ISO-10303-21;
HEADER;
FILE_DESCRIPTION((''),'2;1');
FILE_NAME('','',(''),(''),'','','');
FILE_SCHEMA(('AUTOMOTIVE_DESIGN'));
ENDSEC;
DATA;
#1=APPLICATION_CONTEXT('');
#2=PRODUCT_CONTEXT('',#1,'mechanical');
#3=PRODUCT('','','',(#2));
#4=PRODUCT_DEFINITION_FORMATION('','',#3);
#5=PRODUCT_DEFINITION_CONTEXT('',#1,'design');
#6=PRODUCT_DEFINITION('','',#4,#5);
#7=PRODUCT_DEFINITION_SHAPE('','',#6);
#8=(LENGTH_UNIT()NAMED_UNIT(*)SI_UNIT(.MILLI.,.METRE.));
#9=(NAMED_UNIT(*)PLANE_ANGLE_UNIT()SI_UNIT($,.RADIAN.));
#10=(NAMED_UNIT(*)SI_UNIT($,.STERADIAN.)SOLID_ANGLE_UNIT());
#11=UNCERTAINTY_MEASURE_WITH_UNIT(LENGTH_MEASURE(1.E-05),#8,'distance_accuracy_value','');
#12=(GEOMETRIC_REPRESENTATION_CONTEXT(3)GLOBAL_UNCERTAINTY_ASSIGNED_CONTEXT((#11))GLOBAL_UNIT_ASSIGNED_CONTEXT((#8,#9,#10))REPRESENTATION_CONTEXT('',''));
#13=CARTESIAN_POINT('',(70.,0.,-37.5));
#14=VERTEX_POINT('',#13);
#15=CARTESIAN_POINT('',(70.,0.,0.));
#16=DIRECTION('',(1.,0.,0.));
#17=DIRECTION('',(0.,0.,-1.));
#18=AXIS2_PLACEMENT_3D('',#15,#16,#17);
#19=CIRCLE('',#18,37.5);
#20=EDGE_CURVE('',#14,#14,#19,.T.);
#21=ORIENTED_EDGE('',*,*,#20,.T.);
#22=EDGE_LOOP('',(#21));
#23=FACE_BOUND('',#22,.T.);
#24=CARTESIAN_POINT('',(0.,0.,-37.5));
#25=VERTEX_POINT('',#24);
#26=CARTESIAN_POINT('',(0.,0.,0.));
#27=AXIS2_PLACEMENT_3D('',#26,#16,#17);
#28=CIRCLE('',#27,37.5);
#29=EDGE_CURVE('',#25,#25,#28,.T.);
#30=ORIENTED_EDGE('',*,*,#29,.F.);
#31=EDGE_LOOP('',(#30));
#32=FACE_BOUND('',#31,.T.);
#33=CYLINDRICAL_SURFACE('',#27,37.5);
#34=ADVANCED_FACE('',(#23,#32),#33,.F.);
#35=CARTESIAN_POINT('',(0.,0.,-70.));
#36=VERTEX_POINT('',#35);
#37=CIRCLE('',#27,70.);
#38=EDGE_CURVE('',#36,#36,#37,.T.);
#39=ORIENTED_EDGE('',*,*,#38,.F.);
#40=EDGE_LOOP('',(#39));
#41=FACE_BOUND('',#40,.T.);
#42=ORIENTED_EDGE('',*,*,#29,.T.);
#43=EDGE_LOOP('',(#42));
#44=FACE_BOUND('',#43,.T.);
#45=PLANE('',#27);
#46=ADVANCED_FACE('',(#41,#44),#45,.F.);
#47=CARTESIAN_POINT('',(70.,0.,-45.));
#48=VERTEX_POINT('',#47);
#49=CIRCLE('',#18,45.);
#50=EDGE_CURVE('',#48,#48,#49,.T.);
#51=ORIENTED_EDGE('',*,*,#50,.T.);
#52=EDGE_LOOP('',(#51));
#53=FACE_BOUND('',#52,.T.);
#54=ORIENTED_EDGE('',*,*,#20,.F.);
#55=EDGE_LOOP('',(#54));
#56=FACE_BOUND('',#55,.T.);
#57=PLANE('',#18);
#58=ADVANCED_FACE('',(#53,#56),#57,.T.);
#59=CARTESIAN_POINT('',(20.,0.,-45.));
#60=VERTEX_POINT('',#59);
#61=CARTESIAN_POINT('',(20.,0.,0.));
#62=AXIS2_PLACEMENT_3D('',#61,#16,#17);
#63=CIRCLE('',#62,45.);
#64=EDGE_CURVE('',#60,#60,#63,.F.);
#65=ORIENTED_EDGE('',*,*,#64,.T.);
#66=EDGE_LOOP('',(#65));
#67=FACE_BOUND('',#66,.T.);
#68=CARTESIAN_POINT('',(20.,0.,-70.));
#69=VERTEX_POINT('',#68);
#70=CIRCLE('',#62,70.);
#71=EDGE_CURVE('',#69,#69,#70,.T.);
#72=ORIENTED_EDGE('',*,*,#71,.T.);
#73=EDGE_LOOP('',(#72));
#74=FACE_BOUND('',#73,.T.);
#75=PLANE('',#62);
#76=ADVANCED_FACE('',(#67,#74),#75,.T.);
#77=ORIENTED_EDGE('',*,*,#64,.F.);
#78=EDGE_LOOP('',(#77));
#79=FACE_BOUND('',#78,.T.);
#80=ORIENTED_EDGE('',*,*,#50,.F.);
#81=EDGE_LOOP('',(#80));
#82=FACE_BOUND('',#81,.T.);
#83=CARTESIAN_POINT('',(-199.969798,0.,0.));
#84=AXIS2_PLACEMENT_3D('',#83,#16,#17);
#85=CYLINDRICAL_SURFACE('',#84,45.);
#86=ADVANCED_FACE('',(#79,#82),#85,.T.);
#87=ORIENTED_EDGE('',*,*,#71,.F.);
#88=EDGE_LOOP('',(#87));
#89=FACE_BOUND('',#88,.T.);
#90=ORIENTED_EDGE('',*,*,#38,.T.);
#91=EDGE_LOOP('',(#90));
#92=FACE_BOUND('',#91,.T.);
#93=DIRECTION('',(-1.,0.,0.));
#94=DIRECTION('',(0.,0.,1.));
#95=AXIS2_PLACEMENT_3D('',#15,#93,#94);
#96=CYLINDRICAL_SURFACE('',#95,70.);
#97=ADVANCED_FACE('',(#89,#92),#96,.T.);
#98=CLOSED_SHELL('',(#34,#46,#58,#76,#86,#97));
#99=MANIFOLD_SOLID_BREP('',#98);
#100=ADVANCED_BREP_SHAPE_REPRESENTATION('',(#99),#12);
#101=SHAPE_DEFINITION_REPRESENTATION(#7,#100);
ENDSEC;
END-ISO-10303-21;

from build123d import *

# Parameters (mm, degrees)
SKETCH_1_R          = 70
EXTRUDE_1_DEPTH     = 70
SKETCH_2_R          = 37.5
CUT_EXTRUDE_1_DEPTH = 122.24355653
SKETCH_3_OUTSIDE_W  = 184
SKETCH_3_OUTSIDE_H  = 184
SKETCH_3_OUTSIDE_R  = 45
CUT_EXTRUDE_2_DEPTH = 50


with BuildPart() as part:
    # 草图1 → 凸台-拉伸1 (new body)
    with BuildSketch(Plane(origin=(0, 0, 0), x_dir=(0, 0, -1), z_dir=(1, 0, 0))):
        Circle(SKETCH_1_R)
    extrude(amount=EXTRUDE_1_DEPTH)

    # 草图2 → 切除-拉伸1 (cut, through all)
    with BuildSketch(Plane(origin=(70, 0, 0), x_dir=(0, 0, -1), z_dir=(1, 0, 0))):
        Circle(SKETCH_2_R)
    extrude(amount=-CUT_EXTRUDE_1_DEPTH, mode=Mode.SUBTRACT)

    # 草图3 outside → 切除-拉伸2 (cut)
    with BuildSketch(Plane(origin=(70, 0, 0), x_dir=(0, 0, -1), z_dir=(1, 0, 0))):
        Rectangle(SKETCH_3_OUTSIDE_W, SKETCH_3_OUTSIDE_H)
        Circle(SKETCH_3_OUTSIDE_R, mode=Mode.SUBTRACT)
    extrude(amount=-CUT_EXTRUDE_2_DEPTH, mode=Mode.SUBTRACT)


solid = part.part
